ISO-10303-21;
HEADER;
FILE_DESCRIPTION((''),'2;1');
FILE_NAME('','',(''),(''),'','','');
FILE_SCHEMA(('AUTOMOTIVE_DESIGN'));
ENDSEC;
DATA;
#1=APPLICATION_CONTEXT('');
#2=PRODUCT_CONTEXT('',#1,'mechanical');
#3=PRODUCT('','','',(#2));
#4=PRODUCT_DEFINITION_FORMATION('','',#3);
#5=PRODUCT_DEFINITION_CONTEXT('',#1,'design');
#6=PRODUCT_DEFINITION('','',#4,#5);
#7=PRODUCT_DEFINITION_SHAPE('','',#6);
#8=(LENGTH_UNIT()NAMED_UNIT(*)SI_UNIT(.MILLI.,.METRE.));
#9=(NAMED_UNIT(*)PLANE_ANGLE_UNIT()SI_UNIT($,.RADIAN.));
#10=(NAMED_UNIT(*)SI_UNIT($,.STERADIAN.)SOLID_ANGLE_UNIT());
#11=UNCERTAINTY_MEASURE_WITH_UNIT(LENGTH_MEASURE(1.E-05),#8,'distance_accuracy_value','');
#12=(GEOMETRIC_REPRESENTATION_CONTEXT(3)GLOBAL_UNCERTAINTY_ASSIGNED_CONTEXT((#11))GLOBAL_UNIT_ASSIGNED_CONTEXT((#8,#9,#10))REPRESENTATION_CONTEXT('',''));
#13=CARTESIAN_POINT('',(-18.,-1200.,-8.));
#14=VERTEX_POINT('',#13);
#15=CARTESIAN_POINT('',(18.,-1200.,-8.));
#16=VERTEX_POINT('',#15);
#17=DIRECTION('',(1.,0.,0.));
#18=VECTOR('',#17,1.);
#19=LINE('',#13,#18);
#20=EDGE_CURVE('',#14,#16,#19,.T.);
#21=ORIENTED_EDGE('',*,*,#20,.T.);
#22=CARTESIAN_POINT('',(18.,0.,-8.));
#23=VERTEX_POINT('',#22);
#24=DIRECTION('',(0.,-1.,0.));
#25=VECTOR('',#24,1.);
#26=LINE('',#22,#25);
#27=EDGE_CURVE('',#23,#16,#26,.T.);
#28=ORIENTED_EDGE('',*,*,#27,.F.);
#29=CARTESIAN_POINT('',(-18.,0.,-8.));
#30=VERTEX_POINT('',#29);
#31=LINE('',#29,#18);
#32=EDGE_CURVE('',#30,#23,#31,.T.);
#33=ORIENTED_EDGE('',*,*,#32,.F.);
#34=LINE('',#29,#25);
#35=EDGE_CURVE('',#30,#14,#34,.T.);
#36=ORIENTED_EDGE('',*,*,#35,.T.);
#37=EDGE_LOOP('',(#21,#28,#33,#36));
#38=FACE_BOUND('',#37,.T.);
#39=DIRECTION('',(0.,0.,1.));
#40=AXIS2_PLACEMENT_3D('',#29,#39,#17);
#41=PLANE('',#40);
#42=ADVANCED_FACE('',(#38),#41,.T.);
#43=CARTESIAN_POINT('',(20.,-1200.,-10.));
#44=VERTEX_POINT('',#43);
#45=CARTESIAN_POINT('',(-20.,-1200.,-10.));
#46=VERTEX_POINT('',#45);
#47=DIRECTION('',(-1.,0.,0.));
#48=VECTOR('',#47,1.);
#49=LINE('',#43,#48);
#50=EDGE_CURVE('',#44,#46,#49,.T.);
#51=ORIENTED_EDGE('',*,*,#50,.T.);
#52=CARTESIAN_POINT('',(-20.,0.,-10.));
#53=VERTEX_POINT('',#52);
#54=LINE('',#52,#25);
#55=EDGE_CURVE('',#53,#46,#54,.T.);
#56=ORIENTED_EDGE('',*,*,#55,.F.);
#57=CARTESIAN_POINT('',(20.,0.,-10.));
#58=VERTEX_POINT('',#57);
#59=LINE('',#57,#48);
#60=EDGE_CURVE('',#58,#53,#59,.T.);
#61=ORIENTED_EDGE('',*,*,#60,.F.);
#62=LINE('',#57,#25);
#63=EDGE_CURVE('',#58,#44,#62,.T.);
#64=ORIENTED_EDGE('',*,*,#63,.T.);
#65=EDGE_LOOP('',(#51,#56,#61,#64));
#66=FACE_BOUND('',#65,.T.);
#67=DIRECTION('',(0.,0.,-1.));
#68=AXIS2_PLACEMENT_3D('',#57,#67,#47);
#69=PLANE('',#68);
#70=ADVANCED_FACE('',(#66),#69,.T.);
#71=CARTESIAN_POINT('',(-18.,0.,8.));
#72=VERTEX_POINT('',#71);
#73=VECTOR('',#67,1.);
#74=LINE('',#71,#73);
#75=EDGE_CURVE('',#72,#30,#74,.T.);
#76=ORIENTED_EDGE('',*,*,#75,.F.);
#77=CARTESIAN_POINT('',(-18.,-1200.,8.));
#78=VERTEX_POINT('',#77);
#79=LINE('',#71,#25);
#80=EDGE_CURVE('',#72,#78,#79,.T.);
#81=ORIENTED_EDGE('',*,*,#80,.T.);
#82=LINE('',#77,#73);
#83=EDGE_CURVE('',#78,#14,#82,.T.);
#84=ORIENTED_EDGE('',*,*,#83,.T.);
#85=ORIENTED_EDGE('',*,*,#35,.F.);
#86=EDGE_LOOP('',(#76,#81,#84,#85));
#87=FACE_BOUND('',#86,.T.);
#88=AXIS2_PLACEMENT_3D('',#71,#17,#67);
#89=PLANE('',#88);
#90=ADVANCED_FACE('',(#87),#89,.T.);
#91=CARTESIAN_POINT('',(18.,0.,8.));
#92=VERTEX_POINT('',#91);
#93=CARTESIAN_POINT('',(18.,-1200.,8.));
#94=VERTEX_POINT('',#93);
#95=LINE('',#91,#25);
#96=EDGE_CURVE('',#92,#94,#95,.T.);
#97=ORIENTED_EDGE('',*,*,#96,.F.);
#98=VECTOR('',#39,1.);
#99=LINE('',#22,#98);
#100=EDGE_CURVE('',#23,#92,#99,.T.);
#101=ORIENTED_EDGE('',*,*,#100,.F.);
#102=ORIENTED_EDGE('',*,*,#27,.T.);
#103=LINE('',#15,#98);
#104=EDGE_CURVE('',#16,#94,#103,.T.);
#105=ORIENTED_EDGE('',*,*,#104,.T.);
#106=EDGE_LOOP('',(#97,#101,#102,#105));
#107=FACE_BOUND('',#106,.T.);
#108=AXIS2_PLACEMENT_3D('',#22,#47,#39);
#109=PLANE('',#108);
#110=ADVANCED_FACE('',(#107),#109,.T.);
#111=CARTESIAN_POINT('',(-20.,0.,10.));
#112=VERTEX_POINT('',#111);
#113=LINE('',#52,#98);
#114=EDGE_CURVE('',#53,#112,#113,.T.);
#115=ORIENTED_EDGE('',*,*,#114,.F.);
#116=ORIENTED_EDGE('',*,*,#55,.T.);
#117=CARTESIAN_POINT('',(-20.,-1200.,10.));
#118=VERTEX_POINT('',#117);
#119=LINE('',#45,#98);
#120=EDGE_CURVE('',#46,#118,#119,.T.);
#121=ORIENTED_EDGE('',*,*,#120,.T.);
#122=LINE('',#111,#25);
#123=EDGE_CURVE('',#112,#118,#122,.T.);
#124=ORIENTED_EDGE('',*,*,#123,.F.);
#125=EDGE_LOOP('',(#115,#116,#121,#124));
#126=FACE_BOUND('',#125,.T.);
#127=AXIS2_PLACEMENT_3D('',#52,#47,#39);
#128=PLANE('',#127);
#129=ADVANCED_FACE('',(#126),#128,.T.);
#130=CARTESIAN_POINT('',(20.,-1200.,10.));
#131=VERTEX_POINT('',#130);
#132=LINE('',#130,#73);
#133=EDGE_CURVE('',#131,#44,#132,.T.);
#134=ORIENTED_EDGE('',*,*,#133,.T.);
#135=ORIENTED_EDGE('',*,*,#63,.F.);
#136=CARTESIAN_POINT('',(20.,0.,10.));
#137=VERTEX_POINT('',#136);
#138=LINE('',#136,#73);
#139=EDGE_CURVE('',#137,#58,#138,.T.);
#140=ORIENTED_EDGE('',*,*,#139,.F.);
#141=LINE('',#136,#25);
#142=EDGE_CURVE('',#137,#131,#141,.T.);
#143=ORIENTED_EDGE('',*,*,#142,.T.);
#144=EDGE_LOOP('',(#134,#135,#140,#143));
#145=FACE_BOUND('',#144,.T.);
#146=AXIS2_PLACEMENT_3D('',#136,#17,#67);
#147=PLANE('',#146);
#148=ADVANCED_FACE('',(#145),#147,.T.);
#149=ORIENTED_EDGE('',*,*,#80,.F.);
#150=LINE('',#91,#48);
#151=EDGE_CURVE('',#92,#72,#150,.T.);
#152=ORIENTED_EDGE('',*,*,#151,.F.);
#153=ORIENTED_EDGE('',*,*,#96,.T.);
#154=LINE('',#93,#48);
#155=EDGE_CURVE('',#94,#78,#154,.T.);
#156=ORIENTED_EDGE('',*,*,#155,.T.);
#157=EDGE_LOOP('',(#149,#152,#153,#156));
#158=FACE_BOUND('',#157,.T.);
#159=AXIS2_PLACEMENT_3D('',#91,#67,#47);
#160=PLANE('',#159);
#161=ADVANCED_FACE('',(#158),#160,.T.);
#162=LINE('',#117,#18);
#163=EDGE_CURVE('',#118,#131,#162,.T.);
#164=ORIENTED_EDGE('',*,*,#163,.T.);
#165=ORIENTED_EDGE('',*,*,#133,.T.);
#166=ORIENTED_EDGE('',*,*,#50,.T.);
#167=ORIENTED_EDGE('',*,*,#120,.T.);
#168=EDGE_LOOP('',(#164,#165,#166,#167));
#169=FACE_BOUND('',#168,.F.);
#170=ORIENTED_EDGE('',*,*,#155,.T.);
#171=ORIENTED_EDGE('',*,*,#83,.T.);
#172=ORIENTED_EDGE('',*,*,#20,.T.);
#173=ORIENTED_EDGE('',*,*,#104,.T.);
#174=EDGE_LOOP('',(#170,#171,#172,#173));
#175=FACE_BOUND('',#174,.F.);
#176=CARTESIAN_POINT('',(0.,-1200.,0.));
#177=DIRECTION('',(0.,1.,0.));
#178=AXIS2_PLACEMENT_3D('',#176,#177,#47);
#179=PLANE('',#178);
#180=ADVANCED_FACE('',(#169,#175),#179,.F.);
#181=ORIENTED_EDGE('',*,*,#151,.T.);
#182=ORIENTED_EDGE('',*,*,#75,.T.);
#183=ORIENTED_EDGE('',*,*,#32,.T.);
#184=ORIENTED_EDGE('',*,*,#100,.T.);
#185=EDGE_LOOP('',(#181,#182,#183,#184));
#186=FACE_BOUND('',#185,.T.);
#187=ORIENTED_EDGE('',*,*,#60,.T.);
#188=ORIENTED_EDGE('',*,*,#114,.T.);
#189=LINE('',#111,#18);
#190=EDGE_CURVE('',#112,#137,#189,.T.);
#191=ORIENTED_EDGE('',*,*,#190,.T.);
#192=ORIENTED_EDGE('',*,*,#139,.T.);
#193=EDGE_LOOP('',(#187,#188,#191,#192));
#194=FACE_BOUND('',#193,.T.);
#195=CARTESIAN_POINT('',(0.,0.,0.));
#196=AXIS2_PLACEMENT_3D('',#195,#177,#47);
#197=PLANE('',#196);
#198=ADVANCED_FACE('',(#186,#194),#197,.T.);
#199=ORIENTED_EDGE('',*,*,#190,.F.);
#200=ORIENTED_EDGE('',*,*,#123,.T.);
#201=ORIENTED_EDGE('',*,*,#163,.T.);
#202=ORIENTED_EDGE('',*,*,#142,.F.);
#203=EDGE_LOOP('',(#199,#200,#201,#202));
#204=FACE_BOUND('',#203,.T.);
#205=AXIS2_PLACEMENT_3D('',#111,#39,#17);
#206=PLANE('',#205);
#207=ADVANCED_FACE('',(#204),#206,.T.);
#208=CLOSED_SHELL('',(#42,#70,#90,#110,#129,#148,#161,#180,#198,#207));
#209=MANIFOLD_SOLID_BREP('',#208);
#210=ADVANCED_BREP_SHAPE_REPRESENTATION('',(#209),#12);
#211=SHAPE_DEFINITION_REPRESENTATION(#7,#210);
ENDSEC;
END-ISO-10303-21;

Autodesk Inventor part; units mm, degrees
ref_plane "YZ Plane" through (0, 0, 0) normal (1, 0, 0) x (0, 1, 0)
ref_plane "XZ Plane" through (0, 0, 0) normal (0, 1, 0) x (-1, 0, 0)
ref_plane "XY Plane" through (0, 0, 0) normal (0, 0, 1) x (1, 0, 0)
sketch "Sketch9" plane through (0, 0, 0) normal (0, 1, 0) x (-1, 0, 0)
  line L0 (20, 10) -> (-20, 10)
  line L1 (-20, 10) -> (-20, -10)
  line L2 (-20, -10) -> (20, -10)
  line L3 (20, -10) -> (20, 10)
  line L4 (20, 10) -> (-20, -10) construction
  line L5 (-20, 10) -> (20, -10) construction
  line L6 (-18, 8) -> (18, 8)
  line L7 (18, 8) -> (18, -8)
  line L8 (18, -8) -> (-18, -8)
  line L9 (-18, -8) -> (-18, 8)
  point P0 (0, 0)
  dimension "d172" = 40
  dimension "d173" = 20
  dimension "d174" = 2
extrude "Extrusion3" add sketch "Sketch9" against normal blind 1200
sketch "Sketch10" plane through (0, 0, 0) normal (1, 0, 0) x (0, 1, 0)
  line L0 (0, 10) -> (0, -10) construction
  line L1 (0, 10) -> (-1200, 10) construction
  line L2 (-1200, -10) -> (-1200, 10) construction
  line L3 (0, -10) -> (-1200, -10) construction
  line L4 (-148.5, 8.5) -> (-131.5, 8.5)
  line L5 (-131.5, 8.5) -> (-131.5, -8.5)
  line L6 (-131.5, -8.5) -> (-148.5, -8.5)
  line L7 (-148.5, -8.5) -> (-148.5, 8.5)
  line L8 (-148.5, 8.5) -> (-131.5, -8.5) construction
  line L9 (-131.5, 8.5) -> (-148.5, -8.5) construction
  line L10 (-308.5, 8.5) -> (-291.5, 8.5)
  line L11 (-291.5, 8.5) -> (-291.5, -8.5)
  line L12 (-291.5, -8.5) -> (-308.5, -8.5)
  line L13 (-308.5, -8.5) -> (-308.5, 8.5)
  line L14 (-308.5, 8.5) -> (-291.5, -8.5) construction
  line L15 (-291.5, 8.5) -> (-308.5, -8.5) construction
  line L16 (-428.5, 8.5) -> (-411.5, 8.5)
  line L17 (-411.5, 8.5) -> (-411.5, -8.5)
  line L18 (-411.5, -8.5) -> (-428.5, -8.5)
  line L19 (-428.5, -8.5) -> (-428.5, 8.5)
  line L20 (-428.5, 8.5) -> (-411.5, -8.5) construction
  line L21 (-411.5, 8.5) -> (-428.5, -8.5) construction
  circle A0 centre (-470, 0) radius 8.5
  line L22 (0, 0) -> (30, 0)
  circle A1 centre (-140, 0) radius 8.5
  circle A2 centre (-300, 0) radius 8.5
  circle A3 centre (-420, 0) radius 8.5
  dimension "d177" = 17
  dimension "d178" = 17
  dimension "d181" = 30
  dimension "d182" = 170
  dimension "d183" = 330
  dimension "d184" = 450
  dimension "d185" = 500
  dimension "d186" = 17
extrude "Extrusion4" [suppressed]
properties part number "TKS 3562 FDS support tube" material "Stainless Steel"
